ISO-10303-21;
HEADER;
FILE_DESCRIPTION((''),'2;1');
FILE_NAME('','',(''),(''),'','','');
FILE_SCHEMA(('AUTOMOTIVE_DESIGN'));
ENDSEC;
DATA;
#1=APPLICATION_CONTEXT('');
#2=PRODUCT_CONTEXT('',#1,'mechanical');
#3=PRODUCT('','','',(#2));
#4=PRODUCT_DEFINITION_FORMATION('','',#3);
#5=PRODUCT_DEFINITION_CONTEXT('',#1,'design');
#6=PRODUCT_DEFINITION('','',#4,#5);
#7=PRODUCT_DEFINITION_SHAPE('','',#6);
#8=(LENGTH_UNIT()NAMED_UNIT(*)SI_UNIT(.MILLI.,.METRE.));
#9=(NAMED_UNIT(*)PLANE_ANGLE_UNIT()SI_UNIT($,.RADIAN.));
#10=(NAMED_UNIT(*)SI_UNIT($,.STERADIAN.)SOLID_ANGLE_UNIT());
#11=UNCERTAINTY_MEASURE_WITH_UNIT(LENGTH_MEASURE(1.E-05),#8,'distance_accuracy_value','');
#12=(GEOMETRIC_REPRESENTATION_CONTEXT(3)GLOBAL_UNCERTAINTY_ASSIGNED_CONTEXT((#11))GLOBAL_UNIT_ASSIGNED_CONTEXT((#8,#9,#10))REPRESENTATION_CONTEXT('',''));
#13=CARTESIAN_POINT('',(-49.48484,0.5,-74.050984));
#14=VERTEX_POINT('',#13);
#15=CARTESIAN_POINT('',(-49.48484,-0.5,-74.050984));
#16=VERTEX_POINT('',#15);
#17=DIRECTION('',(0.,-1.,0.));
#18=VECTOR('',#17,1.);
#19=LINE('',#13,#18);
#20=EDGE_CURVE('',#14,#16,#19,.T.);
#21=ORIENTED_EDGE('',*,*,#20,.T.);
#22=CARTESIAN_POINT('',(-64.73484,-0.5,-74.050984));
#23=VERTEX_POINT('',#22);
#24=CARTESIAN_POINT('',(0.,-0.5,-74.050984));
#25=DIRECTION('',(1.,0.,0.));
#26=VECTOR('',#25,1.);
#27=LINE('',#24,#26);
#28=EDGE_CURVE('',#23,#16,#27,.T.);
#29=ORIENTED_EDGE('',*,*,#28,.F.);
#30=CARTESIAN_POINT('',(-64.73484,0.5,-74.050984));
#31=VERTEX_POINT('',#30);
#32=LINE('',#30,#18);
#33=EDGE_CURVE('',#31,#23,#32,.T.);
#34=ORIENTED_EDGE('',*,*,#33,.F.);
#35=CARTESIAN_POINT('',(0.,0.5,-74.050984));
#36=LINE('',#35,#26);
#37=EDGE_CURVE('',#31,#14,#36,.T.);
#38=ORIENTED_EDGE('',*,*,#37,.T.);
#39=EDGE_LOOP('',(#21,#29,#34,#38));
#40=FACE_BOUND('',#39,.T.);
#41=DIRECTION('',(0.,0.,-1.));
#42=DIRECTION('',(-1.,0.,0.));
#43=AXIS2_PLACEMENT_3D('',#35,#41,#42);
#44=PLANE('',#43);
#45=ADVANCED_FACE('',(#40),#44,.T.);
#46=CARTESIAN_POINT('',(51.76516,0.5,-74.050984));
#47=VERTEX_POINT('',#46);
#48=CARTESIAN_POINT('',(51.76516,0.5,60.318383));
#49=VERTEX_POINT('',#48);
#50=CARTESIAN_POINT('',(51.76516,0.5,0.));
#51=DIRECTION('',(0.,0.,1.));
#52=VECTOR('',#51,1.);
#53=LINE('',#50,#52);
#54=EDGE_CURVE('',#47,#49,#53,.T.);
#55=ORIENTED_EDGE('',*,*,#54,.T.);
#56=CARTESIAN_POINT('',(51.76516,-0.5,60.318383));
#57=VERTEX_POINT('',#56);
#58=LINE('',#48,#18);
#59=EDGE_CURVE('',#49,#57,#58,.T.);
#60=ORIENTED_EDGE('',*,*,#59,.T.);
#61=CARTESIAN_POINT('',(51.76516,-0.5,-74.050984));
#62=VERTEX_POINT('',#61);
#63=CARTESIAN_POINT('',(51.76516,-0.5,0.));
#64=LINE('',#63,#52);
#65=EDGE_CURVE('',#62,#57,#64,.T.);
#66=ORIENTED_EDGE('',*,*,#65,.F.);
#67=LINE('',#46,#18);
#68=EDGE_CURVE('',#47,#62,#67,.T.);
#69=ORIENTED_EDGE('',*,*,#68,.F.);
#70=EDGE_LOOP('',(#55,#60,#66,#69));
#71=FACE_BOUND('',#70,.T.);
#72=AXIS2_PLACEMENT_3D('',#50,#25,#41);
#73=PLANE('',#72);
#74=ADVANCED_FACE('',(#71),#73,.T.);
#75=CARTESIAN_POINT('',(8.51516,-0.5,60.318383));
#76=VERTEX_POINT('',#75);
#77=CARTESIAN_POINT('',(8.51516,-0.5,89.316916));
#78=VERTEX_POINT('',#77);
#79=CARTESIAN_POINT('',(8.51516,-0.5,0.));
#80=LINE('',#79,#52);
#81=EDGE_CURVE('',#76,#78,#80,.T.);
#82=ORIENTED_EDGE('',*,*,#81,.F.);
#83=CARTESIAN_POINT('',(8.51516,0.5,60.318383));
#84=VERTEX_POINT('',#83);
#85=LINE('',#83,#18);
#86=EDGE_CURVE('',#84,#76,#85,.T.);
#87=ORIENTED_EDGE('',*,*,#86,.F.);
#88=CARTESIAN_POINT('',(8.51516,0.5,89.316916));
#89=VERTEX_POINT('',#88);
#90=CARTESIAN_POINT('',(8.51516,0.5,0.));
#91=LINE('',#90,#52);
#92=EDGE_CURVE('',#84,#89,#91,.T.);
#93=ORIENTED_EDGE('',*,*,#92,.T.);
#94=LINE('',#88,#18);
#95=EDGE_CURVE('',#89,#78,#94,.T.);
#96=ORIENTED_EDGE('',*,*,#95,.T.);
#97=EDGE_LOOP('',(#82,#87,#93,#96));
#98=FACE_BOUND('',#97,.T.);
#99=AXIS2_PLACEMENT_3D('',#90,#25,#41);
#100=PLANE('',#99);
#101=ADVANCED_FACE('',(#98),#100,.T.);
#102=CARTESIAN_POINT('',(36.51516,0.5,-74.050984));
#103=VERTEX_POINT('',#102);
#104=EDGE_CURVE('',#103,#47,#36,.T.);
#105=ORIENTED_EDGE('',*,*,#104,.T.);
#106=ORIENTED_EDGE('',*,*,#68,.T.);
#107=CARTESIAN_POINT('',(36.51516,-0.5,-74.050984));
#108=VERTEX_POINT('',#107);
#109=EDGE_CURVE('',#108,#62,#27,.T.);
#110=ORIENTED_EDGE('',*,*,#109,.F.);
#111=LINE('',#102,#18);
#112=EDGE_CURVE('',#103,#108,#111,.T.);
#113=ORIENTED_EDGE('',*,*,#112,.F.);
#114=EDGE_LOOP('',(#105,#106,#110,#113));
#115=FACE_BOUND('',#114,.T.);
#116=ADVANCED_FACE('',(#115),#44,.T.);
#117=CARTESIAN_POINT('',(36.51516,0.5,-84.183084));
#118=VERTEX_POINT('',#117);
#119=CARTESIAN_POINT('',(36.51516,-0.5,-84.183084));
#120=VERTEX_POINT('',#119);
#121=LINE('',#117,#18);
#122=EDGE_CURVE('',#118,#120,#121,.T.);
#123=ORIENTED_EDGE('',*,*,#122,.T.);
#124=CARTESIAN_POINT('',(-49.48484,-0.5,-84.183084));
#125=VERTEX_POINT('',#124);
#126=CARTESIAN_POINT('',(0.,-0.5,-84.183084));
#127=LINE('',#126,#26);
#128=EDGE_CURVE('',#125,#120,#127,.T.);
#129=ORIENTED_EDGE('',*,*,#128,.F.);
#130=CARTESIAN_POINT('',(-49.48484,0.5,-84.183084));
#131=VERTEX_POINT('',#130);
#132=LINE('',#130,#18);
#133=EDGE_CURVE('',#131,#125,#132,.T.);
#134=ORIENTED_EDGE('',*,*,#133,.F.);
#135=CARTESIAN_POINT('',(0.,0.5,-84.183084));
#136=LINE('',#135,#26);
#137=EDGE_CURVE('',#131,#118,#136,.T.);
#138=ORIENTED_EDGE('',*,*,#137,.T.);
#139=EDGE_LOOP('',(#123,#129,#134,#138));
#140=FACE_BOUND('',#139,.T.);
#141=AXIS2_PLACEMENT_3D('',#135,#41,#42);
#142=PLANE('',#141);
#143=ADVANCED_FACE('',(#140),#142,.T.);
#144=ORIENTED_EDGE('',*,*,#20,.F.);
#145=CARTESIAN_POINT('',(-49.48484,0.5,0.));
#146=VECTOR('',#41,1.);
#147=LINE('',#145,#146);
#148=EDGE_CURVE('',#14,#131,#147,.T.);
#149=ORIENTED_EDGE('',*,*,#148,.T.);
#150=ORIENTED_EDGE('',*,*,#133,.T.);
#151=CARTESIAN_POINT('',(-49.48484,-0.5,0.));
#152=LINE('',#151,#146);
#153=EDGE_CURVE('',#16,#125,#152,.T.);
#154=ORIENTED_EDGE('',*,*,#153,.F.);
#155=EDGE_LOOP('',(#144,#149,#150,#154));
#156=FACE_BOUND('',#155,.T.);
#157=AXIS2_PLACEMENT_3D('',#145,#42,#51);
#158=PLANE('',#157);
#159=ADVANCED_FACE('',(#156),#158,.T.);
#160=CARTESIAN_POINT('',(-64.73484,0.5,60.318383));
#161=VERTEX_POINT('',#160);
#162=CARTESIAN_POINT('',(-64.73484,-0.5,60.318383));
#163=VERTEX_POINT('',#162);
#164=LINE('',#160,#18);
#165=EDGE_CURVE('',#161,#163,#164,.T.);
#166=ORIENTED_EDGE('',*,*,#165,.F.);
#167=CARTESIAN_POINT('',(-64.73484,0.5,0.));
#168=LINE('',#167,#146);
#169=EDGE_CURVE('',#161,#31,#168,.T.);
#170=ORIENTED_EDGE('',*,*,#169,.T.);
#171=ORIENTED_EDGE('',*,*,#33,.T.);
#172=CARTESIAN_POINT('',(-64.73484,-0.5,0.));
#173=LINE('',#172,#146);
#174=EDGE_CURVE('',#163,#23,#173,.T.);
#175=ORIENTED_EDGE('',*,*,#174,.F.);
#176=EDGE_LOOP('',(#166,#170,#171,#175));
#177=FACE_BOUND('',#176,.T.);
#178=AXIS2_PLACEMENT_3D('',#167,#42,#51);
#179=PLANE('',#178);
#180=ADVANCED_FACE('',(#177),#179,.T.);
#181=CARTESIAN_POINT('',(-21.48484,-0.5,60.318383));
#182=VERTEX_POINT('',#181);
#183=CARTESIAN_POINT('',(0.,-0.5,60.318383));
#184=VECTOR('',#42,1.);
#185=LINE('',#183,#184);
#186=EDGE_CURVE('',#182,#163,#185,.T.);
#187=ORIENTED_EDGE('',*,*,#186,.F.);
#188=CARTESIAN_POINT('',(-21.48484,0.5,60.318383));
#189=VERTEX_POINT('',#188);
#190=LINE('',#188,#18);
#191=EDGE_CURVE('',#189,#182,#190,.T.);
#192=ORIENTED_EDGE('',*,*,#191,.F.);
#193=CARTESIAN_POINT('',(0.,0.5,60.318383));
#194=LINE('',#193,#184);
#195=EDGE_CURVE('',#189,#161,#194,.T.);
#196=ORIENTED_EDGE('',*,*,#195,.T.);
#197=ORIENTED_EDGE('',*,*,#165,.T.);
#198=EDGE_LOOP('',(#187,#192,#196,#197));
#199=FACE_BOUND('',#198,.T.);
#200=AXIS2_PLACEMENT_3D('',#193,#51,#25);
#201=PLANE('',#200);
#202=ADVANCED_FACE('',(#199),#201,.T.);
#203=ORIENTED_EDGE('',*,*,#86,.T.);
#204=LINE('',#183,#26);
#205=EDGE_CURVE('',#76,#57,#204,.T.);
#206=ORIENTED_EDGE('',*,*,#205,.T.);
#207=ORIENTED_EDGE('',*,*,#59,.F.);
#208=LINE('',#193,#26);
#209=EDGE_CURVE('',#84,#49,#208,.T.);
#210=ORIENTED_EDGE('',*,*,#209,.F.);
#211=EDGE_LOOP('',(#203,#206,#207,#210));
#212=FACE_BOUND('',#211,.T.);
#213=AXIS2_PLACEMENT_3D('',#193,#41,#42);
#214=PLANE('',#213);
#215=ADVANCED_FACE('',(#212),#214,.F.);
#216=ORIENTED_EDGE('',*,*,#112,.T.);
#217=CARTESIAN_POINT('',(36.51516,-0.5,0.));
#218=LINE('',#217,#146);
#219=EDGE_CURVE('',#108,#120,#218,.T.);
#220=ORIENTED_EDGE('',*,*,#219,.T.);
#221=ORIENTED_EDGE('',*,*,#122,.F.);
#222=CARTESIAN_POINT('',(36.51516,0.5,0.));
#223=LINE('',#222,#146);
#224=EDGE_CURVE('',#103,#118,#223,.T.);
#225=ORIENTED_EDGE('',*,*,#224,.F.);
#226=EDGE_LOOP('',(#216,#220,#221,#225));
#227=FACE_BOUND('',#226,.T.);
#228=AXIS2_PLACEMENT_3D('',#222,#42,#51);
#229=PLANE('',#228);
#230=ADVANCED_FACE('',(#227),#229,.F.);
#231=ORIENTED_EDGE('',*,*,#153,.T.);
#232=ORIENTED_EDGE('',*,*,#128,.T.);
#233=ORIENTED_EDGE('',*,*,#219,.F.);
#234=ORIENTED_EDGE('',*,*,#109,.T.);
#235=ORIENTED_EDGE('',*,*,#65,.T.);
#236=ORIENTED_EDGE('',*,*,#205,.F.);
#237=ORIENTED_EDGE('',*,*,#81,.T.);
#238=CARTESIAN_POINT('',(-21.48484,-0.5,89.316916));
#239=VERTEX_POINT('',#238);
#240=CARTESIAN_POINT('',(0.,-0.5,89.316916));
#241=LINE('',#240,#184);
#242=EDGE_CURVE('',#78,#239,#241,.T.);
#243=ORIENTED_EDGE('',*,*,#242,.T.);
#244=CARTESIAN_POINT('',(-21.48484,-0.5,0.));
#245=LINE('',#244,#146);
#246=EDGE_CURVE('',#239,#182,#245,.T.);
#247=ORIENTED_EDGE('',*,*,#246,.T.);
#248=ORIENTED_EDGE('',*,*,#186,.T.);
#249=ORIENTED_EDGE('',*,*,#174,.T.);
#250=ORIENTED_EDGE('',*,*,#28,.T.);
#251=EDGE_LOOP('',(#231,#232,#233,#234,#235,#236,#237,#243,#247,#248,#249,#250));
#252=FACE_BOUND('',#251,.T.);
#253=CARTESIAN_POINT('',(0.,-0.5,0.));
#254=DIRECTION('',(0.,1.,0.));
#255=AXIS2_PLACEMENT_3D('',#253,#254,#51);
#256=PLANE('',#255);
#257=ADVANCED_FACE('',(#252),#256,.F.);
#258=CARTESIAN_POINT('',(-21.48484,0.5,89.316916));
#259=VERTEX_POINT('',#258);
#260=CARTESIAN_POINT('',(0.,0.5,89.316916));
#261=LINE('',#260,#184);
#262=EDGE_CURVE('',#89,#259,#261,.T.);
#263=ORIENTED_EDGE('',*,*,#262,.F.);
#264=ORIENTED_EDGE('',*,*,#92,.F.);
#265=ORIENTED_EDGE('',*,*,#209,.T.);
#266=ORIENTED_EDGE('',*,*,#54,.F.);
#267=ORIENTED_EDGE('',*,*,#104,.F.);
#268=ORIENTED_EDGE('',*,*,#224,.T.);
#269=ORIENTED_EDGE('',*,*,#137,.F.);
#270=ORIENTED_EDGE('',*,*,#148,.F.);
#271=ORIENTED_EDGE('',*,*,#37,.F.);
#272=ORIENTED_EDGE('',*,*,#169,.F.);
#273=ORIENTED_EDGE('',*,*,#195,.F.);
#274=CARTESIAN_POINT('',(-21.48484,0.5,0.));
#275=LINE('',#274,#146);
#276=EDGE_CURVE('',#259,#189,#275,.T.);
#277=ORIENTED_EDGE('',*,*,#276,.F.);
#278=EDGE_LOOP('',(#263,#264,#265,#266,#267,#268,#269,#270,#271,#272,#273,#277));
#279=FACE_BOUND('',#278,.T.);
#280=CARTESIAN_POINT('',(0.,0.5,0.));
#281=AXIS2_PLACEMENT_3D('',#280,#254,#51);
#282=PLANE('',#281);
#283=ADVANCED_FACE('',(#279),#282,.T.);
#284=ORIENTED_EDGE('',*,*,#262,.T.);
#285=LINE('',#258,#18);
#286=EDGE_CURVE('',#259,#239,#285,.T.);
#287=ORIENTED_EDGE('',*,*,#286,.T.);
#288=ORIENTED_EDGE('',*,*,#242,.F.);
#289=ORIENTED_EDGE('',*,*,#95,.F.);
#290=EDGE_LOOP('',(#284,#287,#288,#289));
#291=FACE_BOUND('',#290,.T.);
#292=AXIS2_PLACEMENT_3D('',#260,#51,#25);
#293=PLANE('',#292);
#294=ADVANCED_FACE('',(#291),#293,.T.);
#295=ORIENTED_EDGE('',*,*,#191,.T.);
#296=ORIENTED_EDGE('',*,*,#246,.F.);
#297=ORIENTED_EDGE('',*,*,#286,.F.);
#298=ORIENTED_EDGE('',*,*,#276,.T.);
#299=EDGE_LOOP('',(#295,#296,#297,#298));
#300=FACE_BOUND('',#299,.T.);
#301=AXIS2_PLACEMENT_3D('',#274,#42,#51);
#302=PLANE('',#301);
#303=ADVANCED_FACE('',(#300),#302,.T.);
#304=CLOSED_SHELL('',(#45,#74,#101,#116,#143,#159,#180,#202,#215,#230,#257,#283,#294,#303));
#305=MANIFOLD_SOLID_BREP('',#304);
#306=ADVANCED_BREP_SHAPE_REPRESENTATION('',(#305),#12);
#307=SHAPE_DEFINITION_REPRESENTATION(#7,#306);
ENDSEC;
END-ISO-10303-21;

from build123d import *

# Parameters (mm, degrees)
RESSALTO_EXTRUS_O1_DEPTH = 0.5


with BuildPart() as part:
    # Esboço1 → Ressalto-extrusão1 (new, symmetric)
    with BuildSketch(Plane(origin=(0, 0, 0), x_dir=(1, 0, 0), z_dir=(0, 1, 0))):
        Polygon((51.76515993, 74.050984143), (36.51515993, 74.050984143), (36.51515993, 84.183084139), (-6.48484007, 84.183084139), (-49.48484007, 84.183084139), (-49.48484007, 74.050984143), (-64.73484007, 74.050984143), (-64.73484007, 8.933084139), (-64.73484007, -60.318382682), (-21.48484007, -60.318382682), (-21.48484007, -69.817649271), (-21.48484007, -89.316915861), (-6.48484007, -89.316915861), (8.51515993, -89.316915861), (8.51515993, -69.817649271), (8.51515993, -60.318382682), (51.76515993, -60.318382682), (51.76515993, 8.933084139), align=None)
    extrude(amount=RESSALTO_EXTRUS_O1_DEPTH, both=True)


solid = part.part
